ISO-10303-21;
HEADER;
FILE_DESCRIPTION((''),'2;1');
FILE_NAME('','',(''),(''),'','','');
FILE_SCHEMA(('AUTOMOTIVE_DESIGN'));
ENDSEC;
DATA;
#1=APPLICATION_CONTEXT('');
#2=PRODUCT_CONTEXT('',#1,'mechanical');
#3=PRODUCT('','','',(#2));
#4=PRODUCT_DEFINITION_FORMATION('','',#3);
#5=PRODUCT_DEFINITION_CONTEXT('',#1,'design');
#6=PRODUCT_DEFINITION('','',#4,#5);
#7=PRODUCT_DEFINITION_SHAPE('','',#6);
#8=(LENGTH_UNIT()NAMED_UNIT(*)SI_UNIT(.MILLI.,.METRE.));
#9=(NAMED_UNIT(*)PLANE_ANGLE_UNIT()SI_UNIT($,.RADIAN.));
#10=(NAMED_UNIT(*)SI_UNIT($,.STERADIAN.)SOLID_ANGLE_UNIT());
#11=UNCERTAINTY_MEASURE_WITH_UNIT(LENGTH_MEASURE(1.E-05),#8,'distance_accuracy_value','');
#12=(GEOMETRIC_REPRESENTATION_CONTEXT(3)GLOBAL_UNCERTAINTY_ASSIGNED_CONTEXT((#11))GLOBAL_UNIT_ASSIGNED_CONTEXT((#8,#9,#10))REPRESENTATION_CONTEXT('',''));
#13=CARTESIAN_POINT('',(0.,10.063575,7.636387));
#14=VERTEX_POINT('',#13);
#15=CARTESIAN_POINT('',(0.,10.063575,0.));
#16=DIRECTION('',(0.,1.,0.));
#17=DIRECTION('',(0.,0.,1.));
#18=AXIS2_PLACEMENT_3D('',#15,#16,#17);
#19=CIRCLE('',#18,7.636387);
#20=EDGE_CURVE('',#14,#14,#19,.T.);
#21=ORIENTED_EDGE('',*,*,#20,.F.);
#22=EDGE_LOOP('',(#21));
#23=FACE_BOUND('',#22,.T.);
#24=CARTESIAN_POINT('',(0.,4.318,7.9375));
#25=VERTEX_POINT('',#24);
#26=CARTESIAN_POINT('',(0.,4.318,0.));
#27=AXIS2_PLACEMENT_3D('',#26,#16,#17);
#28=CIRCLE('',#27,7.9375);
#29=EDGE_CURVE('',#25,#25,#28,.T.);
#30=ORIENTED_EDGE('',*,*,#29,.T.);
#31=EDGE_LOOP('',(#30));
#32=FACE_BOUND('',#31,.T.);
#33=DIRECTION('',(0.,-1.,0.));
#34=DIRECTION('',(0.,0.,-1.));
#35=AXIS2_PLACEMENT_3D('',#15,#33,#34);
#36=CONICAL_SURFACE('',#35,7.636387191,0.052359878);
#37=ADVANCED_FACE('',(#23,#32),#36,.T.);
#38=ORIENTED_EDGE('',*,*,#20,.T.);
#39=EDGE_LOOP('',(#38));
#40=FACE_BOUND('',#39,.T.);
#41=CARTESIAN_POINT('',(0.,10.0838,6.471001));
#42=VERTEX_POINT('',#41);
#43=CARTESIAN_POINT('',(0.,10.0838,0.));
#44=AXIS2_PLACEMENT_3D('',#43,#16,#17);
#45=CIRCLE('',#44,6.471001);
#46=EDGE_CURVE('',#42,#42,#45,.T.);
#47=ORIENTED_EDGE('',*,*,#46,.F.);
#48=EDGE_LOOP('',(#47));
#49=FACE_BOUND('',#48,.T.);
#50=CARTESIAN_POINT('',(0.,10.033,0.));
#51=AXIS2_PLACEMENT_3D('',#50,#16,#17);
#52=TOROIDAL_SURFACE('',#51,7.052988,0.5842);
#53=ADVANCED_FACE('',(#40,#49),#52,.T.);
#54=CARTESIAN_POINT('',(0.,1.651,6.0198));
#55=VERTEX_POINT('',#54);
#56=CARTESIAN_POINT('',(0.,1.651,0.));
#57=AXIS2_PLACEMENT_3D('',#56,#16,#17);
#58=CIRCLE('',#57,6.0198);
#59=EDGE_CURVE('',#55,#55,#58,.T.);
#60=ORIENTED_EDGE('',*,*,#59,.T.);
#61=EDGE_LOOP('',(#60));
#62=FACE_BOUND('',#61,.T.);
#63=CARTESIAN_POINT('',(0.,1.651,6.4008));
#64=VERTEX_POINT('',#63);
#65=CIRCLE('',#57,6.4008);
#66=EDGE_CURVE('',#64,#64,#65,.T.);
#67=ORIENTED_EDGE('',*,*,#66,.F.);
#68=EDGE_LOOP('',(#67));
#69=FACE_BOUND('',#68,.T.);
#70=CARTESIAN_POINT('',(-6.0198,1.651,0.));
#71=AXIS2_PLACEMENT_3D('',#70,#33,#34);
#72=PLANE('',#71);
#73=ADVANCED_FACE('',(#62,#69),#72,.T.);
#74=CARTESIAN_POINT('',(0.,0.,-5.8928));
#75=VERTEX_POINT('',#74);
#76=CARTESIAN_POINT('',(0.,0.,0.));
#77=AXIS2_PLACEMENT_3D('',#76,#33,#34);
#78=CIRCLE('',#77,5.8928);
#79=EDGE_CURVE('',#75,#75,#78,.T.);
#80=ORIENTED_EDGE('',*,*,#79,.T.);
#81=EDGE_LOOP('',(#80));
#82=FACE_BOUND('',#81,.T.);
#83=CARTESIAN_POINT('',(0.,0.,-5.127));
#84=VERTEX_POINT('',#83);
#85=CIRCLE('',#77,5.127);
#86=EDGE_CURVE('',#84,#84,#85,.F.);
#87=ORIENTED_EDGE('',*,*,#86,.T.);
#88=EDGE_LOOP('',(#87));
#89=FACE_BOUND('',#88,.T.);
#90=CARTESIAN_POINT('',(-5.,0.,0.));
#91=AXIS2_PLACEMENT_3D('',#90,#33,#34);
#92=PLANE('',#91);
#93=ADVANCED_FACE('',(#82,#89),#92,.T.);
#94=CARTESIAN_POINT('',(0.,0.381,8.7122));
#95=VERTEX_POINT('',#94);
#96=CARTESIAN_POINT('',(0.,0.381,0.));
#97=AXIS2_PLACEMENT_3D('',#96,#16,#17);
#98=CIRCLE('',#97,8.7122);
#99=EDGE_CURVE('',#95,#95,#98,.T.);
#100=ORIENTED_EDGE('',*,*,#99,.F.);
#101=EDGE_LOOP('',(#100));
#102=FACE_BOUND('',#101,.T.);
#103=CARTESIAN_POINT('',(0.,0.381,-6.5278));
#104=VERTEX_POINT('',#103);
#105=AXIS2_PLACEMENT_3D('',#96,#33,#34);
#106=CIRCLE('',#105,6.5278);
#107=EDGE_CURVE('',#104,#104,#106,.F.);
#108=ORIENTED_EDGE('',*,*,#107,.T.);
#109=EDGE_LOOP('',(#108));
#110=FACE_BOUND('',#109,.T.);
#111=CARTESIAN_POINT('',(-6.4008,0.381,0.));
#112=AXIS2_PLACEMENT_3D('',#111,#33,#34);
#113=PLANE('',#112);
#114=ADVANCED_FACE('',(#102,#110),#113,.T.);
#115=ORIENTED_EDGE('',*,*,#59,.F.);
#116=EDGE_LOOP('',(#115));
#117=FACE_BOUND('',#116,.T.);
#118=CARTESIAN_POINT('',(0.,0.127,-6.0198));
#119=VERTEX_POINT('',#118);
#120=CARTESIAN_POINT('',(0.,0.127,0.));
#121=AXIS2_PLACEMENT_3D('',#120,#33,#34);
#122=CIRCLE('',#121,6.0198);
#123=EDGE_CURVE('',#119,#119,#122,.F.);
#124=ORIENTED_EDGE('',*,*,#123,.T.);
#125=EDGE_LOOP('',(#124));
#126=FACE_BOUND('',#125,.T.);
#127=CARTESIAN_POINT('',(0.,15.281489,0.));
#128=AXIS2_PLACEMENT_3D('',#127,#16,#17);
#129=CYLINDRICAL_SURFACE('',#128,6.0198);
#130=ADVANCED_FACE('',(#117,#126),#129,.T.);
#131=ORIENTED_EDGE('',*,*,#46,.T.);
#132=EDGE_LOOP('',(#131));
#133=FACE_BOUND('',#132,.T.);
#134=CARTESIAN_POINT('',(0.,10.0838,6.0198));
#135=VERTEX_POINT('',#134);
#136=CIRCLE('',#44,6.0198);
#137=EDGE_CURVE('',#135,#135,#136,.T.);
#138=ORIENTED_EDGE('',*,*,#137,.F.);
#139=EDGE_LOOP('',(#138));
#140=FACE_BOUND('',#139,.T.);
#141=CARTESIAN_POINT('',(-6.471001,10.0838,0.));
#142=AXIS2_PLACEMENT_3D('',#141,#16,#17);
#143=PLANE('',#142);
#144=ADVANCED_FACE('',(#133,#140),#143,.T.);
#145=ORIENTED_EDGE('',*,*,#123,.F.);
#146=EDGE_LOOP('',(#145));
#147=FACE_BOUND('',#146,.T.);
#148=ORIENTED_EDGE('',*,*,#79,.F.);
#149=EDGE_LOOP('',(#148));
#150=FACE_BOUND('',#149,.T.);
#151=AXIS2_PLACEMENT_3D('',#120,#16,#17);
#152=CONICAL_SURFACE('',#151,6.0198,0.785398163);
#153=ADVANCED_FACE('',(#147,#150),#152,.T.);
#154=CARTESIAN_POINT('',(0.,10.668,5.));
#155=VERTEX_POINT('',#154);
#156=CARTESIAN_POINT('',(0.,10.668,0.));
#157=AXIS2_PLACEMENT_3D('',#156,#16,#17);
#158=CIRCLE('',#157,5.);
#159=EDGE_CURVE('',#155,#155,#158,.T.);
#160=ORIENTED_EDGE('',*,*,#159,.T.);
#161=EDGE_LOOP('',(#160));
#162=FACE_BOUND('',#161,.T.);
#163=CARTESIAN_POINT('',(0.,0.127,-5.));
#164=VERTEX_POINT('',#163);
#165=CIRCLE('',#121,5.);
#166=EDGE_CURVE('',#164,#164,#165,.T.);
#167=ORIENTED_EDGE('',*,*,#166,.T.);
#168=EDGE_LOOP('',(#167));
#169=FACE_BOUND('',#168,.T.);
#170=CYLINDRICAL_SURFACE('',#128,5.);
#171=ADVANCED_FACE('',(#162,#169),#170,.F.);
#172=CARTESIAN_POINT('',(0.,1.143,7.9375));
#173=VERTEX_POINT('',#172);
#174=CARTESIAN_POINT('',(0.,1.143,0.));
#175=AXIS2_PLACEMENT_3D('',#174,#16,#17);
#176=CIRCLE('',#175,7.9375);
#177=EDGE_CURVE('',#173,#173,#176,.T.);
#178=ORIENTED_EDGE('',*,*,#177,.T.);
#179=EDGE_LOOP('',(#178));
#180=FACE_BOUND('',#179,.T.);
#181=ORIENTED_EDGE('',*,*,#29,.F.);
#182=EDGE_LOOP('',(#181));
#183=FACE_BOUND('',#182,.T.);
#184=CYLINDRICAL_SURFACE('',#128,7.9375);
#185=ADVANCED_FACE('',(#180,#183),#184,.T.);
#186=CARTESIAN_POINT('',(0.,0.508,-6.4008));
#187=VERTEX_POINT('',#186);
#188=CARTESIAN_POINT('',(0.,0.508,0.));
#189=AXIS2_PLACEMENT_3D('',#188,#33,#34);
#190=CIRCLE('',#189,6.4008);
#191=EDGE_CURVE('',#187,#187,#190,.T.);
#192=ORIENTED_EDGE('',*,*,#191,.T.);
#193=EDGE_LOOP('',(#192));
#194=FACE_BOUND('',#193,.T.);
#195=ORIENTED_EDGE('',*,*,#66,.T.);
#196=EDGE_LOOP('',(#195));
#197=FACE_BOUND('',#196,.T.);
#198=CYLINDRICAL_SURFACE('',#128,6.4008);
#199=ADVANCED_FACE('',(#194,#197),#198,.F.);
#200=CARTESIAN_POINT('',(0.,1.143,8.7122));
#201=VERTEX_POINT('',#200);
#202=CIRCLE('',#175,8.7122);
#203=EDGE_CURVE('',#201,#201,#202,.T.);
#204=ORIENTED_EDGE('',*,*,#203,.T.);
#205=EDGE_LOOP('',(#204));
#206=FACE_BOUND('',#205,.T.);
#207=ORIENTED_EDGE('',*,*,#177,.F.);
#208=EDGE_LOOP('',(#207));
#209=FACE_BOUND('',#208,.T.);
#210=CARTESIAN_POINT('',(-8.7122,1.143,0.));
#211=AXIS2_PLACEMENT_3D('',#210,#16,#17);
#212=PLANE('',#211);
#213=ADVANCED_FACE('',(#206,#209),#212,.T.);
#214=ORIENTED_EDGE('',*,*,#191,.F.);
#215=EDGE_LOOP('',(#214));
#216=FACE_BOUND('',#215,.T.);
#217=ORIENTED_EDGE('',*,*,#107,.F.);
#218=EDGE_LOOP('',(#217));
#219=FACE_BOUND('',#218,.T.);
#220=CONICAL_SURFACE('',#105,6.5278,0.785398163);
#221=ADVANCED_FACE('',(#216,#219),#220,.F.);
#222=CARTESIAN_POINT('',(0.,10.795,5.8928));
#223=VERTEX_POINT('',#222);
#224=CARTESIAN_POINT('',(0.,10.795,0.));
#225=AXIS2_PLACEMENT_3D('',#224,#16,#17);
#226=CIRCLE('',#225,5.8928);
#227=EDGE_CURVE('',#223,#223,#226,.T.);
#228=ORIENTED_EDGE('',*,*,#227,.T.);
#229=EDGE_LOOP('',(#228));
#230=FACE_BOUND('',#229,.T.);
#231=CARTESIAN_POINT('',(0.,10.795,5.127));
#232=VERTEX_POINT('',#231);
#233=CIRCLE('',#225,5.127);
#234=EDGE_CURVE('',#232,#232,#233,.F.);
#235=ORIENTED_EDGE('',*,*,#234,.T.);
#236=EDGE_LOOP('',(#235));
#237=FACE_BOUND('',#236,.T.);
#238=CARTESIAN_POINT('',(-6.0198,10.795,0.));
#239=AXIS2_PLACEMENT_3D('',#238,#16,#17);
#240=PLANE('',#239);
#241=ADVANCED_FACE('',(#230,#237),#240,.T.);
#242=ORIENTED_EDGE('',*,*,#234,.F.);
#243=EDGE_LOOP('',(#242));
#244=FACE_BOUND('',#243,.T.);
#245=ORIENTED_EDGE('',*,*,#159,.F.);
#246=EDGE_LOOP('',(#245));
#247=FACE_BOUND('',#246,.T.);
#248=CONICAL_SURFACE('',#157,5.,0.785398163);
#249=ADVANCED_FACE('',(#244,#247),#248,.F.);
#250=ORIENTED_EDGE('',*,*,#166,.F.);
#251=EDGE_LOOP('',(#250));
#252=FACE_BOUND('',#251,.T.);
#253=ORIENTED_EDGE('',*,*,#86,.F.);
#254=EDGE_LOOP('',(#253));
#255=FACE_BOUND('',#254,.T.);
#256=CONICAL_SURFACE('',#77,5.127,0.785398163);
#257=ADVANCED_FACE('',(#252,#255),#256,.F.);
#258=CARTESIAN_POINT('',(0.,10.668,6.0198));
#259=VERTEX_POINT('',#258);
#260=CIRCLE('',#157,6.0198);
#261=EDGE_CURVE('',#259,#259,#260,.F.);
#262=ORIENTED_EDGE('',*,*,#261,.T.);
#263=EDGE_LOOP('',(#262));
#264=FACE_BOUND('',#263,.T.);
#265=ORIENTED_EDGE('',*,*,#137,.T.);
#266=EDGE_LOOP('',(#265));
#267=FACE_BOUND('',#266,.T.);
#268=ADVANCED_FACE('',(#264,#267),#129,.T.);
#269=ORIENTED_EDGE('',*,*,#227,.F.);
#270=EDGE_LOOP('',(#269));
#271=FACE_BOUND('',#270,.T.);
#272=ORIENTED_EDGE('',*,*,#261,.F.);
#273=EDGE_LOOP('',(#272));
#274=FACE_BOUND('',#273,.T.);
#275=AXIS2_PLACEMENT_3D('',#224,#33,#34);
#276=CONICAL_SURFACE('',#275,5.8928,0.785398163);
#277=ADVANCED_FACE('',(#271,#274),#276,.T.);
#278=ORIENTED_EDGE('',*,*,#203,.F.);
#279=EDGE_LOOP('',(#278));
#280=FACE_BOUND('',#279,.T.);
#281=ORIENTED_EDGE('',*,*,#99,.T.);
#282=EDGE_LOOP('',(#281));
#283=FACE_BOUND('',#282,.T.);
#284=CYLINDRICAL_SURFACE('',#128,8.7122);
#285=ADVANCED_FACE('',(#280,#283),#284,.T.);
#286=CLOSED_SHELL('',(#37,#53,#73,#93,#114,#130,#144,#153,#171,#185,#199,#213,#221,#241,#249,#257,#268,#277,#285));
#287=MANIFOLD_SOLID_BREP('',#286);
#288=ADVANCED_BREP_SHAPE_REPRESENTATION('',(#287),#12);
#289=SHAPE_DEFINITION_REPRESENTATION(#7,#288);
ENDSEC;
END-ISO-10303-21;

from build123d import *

# Parameters (mm, degrees)
CHAMFER1_SIZE = 0.127


with BuildPart() as part:
    # Sketch1 → Revolve1 (revolve)
    with BuildSketch(Plane.XY, mode=Mode.PRIVATE) as revolve1_sk:
        with BuildLine():
            Line((-8.7122, 0.381), (-8.7122, 1.143))
            Line((-8.7122, 1.143), (-7.9375, 1.143))
            Line((-7.9375, 1.143), (-7.9375, 4.318))
            Line((-7.9375, 4.318), (-7.636387191, 10.063574666))
            ThreePointArc((-7.636387191, 10.063574666), (-7.063125107, 10.61711204), (-6.471000704, 10.0838))
            Line((-6.471000704, 10.0838), (-6.0198, 10.0838))
            Line((-6.0198, 10.0838), (-6.0198, 10.795))
            Line((-6.0198, 10.795), (-5, 10.795))
            Line((-5, 10.795), (-5, 0))
            Line((-5, 0), (-6.0198, 0))
            Line((-6.0198, 0), (-6.0198, 1.651))
            Line((-6.0198, 1.651), (-6.4008, 1.651))
            Line((-6.4008, 1.651), (-6.4008, 0.381))
            Line((-6.4008, 0.381), (-8.7122, 0.381))
        make_face()
    revolve(revolve1_sk.sketch.rotate(Axis((0, 15.281488856, 0), (0, -1, 0)), 270), axis=Axis((0, 15.281488856, 0), (0, -1, 0)))

    # Chamfer1
    chamfer1_edges = [part.edges().sort_by_distance(p)[0] for p in [
        (0, 0, -6.0198),
        (0, 0, -5),
        (0, 10.795, -5),
        (0, 10.795, -6.0198),
        (0, 0.381, -6.4008),
    ]]
    chamfer(chamfer1_edges, length=CHAMFER1_SIZE)


solid = part.part
